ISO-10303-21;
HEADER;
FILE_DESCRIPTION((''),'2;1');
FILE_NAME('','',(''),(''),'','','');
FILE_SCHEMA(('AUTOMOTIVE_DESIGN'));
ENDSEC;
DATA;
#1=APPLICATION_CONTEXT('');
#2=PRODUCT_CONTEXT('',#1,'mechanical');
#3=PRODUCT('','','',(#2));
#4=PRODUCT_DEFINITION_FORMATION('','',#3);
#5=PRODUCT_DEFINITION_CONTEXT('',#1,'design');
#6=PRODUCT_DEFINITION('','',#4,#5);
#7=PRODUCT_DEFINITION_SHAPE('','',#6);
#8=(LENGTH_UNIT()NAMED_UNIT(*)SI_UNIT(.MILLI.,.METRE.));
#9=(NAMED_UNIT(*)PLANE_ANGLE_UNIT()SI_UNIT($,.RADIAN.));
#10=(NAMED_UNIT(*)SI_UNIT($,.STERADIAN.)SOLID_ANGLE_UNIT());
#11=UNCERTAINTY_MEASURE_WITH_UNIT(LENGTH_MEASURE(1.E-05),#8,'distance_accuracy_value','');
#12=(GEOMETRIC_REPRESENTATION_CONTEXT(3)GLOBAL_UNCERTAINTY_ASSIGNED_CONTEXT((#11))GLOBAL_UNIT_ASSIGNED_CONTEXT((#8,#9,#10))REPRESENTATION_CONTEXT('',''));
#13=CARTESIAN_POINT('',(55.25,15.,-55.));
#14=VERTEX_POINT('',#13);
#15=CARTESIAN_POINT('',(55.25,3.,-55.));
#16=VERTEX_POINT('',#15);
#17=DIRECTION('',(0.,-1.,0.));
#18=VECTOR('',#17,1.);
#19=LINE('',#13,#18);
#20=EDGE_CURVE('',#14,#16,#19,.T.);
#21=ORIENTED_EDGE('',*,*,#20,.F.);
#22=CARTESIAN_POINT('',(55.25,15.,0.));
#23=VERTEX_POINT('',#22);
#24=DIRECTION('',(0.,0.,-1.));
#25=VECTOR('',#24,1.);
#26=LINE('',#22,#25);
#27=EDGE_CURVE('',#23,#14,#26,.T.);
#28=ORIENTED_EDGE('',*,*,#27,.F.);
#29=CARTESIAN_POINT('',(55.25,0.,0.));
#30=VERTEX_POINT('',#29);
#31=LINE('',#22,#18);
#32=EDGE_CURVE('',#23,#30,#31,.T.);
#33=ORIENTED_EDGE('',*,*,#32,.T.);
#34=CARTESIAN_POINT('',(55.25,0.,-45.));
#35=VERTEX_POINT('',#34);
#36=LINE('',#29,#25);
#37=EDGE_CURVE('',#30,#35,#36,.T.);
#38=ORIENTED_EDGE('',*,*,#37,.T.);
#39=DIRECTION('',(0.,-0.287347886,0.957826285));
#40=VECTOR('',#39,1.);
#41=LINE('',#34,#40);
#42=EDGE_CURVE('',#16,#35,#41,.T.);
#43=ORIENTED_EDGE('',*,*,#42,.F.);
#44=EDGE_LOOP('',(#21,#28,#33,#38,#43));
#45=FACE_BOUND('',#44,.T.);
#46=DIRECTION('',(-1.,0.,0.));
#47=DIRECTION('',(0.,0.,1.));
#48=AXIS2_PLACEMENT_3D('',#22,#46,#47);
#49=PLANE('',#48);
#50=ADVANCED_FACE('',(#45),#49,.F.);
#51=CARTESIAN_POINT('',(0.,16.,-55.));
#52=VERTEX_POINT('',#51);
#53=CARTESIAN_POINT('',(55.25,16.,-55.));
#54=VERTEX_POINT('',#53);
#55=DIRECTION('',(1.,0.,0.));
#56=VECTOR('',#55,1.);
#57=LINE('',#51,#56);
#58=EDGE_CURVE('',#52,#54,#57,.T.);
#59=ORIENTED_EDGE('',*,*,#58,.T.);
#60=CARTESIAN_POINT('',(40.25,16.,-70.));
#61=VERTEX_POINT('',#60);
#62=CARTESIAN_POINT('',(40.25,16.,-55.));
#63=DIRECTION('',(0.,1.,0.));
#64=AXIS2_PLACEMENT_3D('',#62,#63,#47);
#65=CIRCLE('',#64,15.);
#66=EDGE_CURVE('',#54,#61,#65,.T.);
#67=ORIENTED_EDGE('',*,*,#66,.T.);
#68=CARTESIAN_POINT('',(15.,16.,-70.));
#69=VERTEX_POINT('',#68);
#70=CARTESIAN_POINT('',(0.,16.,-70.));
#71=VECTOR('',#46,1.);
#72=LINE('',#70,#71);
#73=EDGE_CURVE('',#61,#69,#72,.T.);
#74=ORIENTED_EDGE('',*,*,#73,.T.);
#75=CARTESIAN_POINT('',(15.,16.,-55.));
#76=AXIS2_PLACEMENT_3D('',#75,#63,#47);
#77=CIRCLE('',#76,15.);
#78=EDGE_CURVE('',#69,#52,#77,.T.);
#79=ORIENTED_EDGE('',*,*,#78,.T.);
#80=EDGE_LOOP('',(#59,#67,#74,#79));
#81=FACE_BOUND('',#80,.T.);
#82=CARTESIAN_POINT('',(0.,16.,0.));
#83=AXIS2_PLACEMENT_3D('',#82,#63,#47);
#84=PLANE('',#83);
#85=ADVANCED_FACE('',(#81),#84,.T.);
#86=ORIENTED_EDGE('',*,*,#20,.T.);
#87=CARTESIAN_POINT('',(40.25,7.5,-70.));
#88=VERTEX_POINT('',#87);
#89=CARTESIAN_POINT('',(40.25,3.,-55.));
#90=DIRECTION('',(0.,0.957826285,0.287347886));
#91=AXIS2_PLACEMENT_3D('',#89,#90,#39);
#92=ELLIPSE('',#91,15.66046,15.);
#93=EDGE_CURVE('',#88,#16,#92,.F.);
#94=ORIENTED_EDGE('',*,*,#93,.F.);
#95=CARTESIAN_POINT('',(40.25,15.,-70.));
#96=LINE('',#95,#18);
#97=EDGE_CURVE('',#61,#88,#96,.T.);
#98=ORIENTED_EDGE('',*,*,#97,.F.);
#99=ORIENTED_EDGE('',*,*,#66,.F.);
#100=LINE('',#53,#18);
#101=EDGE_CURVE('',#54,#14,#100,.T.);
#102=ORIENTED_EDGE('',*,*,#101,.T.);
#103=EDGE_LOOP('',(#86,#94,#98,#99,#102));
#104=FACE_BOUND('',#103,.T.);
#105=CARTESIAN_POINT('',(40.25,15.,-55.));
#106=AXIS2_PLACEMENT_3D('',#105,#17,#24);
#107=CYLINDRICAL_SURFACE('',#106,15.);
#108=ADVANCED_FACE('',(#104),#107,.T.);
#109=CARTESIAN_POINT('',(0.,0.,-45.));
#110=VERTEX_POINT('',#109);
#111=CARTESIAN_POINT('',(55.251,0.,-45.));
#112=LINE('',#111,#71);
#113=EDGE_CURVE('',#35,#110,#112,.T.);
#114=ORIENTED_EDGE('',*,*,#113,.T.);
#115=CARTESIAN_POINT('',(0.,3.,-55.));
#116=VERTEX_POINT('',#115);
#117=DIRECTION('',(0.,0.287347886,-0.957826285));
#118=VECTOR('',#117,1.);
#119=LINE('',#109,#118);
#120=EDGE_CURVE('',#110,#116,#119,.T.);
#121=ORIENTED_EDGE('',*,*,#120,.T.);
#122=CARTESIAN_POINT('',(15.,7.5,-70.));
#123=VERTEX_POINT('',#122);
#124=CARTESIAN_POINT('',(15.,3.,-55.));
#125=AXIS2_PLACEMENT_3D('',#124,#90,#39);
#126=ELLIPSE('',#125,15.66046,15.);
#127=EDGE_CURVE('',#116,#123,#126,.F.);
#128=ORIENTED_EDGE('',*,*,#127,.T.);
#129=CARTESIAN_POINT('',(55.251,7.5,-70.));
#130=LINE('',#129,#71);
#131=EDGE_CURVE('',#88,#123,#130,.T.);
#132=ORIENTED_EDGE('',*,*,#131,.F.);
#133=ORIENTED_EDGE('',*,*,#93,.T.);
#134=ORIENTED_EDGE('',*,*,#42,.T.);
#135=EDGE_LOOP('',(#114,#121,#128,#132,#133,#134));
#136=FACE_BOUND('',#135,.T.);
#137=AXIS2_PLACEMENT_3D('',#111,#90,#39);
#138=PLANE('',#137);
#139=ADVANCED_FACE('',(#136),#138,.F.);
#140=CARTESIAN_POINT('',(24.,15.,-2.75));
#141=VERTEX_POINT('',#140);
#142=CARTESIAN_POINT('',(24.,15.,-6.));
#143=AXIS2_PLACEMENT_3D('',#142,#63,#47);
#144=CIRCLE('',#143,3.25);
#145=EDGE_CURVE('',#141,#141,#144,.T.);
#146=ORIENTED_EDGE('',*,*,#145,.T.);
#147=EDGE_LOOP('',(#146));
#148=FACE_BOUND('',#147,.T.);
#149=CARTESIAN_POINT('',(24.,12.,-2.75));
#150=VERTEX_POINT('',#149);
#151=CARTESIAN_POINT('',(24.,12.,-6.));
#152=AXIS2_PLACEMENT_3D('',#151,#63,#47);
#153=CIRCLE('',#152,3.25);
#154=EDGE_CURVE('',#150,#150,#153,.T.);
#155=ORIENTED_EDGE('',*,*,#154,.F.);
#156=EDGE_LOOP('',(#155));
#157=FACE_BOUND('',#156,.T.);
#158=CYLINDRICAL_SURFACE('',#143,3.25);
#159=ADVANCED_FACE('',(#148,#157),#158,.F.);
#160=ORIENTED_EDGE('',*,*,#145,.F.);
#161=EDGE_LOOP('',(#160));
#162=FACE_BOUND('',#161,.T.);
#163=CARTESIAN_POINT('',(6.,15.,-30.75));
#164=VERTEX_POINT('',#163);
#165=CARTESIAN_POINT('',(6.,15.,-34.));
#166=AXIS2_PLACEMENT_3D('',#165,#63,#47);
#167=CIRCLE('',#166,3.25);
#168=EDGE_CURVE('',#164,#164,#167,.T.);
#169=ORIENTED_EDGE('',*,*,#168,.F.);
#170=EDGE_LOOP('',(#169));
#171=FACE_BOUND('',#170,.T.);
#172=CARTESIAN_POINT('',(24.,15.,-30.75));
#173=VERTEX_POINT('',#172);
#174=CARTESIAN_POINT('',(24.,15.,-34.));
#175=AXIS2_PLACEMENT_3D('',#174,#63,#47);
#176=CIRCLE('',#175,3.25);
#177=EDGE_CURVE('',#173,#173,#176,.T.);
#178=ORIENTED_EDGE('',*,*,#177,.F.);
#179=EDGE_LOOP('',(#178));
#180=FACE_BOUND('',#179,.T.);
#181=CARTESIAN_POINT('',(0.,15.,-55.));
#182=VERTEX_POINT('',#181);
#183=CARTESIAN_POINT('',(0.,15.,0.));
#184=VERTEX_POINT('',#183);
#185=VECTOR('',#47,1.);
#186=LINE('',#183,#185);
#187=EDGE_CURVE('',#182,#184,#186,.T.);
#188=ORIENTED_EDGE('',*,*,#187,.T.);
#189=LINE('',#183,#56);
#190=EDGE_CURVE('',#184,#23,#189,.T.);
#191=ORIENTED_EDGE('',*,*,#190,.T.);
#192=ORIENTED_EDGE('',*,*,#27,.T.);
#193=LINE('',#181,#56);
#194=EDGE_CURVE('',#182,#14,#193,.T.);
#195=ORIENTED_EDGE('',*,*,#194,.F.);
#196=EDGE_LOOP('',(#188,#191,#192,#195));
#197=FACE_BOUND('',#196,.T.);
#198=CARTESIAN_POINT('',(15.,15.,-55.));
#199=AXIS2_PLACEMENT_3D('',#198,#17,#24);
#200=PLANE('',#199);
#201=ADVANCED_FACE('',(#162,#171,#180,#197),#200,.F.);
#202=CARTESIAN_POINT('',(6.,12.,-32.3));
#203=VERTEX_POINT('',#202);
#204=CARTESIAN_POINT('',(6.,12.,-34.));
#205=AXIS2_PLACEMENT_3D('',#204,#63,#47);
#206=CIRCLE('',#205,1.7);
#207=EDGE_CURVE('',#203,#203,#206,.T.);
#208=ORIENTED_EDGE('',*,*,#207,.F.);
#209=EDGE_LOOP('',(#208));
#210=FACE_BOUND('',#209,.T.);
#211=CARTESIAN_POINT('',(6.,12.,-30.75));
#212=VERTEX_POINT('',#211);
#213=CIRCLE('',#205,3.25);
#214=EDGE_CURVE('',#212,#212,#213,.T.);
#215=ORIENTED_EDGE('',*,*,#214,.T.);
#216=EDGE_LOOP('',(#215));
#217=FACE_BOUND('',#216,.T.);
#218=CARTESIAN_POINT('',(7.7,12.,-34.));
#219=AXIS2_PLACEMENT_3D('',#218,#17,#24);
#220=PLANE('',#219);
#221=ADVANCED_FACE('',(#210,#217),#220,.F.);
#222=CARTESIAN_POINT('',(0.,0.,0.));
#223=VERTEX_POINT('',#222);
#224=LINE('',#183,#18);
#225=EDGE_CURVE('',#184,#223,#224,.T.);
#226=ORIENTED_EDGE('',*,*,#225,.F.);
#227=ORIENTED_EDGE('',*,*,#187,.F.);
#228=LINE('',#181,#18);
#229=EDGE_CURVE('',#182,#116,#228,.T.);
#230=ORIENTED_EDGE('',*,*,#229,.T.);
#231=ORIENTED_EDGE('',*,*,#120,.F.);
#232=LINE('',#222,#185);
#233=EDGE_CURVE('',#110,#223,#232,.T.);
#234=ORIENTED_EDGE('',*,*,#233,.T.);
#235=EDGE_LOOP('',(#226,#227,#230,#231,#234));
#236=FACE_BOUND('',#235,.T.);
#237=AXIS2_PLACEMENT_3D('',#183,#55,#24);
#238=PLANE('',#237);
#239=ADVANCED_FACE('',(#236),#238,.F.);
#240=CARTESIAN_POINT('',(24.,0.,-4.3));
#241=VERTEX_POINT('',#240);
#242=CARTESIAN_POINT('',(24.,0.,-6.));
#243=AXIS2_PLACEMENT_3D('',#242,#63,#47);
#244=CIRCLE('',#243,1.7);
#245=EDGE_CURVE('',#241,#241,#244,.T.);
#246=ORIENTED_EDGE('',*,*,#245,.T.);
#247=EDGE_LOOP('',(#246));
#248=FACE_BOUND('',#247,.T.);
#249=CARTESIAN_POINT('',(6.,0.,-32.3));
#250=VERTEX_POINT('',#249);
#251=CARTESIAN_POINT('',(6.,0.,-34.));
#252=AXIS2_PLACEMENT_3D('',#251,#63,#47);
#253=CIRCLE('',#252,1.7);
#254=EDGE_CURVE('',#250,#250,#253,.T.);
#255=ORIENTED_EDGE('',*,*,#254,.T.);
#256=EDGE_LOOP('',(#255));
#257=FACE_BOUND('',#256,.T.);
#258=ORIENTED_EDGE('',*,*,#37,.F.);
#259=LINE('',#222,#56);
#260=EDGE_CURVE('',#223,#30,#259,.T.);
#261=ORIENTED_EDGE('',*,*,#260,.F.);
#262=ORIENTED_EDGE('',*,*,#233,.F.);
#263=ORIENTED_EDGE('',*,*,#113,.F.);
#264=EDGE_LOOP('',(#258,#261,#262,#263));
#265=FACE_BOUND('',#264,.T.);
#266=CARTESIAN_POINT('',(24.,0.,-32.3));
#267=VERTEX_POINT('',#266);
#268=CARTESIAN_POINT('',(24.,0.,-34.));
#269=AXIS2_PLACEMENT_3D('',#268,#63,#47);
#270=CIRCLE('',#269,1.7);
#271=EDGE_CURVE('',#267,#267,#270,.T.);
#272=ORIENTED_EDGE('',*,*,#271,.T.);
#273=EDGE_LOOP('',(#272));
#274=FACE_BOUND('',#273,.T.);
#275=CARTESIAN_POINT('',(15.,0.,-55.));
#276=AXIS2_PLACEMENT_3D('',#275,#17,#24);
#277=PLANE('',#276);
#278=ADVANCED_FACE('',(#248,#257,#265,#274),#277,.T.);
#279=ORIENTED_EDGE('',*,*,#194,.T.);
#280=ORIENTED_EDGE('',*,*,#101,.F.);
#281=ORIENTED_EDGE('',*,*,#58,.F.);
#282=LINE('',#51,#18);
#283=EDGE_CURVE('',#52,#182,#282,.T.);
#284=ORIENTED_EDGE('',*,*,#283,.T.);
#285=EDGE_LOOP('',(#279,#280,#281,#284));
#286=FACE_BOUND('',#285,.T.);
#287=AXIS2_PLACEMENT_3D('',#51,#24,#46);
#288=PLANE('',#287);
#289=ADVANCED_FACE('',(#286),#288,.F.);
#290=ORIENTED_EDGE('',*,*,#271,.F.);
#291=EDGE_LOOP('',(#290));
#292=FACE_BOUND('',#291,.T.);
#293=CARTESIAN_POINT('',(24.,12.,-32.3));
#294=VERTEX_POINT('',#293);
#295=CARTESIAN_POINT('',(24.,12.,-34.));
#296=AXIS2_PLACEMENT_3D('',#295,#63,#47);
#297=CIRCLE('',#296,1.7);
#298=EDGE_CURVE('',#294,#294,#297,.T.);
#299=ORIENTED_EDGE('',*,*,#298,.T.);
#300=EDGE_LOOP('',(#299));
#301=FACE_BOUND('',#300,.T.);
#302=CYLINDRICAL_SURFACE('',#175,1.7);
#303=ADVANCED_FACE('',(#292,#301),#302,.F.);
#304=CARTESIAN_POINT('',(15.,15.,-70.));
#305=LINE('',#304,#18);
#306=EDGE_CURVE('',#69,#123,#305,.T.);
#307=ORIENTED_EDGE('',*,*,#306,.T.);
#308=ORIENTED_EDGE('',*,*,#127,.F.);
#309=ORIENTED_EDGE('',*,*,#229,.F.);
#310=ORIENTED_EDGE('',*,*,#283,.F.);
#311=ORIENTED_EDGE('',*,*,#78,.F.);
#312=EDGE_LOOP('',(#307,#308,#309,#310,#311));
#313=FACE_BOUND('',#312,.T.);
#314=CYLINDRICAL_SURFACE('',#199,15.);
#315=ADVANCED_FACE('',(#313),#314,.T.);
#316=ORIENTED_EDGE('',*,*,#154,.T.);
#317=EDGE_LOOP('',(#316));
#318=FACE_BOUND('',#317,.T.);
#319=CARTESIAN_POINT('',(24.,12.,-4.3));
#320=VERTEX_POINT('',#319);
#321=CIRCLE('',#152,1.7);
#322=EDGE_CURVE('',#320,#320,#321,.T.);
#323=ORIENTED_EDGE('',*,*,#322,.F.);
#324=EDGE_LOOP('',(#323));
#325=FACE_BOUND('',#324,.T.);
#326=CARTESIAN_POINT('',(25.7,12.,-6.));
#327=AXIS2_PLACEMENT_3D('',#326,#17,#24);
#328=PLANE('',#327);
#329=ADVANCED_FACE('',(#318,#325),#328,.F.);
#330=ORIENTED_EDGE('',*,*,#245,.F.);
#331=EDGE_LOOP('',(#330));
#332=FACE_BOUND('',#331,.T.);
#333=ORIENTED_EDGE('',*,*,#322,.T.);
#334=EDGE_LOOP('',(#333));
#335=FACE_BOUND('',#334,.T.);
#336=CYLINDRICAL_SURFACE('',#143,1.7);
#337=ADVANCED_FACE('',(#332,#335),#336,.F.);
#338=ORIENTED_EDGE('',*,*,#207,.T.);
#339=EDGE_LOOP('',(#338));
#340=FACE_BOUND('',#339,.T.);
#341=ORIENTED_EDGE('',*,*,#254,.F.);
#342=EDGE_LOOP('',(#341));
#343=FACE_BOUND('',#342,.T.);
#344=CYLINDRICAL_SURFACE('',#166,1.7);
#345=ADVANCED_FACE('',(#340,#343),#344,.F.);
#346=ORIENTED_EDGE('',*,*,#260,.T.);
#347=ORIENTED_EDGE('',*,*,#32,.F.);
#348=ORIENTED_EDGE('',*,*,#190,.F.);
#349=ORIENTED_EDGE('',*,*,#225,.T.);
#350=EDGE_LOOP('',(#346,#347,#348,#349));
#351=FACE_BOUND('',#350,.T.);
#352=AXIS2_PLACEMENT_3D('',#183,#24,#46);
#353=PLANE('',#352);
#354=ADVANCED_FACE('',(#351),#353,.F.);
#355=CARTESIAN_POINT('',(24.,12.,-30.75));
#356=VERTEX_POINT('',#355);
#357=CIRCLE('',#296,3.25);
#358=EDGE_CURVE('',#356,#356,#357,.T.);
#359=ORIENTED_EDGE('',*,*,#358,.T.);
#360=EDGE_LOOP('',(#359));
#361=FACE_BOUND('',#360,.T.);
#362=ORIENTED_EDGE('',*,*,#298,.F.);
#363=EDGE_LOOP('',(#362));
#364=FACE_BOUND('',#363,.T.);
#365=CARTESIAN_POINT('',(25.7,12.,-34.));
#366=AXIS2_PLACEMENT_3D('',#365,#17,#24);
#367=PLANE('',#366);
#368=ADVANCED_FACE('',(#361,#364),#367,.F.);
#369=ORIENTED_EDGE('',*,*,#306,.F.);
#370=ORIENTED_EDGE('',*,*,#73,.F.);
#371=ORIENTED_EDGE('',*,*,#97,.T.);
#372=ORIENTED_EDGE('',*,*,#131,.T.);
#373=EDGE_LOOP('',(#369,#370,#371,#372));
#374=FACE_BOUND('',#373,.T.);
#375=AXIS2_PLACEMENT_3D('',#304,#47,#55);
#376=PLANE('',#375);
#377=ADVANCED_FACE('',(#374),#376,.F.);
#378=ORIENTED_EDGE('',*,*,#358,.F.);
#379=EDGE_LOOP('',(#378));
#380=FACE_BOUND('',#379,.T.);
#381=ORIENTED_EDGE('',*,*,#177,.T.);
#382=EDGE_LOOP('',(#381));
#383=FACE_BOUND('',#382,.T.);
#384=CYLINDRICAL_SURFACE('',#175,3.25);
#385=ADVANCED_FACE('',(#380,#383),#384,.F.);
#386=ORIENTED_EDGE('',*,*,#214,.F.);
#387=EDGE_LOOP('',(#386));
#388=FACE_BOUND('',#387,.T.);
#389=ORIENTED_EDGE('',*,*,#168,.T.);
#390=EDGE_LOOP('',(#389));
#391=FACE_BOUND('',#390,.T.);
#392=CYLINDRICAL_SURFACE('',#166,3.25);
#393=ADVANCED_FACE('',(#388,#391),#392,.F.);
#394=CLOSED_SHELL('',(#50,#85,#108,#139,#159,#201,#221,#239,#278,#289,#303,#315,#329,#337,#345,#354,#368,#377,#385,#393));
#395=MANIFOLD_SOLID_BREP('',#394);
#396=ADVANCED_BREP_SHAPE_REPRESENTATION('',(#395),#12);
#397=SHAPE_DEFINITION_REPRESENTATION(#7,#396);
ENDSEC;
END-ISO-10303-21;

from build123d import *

# Parameters (mm, degrees)
BOSS_EXTRUDE1_DEPTH            = 15
CBORE_FOR_M3_SHCS1_D           = 3.4
CBORE_FOR_M3_SHCS1_CBORE_D     = 6.5
CBORE_FOR_M3_SHCS1_CBORE_DEPTH = 3
CUT_EXTRUDE1_REACH             = 92.43
BOSS_EXTRUDE2_DEPTH            = 1


with BuildPart() as part:
    # Sketch1 → Boss-Extrude1 (new body)
    with BuildSketch(Plane(origin=(0, 0, 0), x_dir=(1, 0, 0), z_dir=(0, 1, 0))):
        with BuildLine():
            Line((0, 0), (55.25, 0))
            Line((55.25, 0), (55.25, 55))
            ThreePointArc((55.25, 55), (50.856601718, 65.606601718), (40.25, 70))
            Line((40.25, 70), (15, 70))
            ThreePointArc((15, 70), (4.393398282, 65.606601718), (0, 55))
            Line((0, 55), (0, 0))
        make_face()
    extrude(amount=BOSS_EXTRUDE1_DEPTH)

    # CBORE for M3 SHCS1 (through all)
    with Locations(Plane(origin=(0, 15, 0), x_dir=(1, 0, 0), z_dir=(0, 1, 0))):
        with Locations((6, 34), (24, 34), (24, 6)):
            CounterBoreHole(CBORE_FOR_M3_SHCS1_D / 2, CBORE_FOR_M3_SHCS1_CBORE_D / 2, CBORE_FOR_M3_SHCS1_CBORE_DEPTH)

    # Sketch4 → Cut-Extrude1 (cut, up to next)
    with BuildSketch(Plane.ZY, mode=Mode.PRIVATE) as cut_extrude1_sk1:
        Polygon((-70, 0), (-45, 0), (-70, 7.5), align=None)
    cut_extrude1_tool1 = extrude(cut_extrude1_sk1.sketch, amount=-CUT_EXTRUDE1_REACH, mode=Mode.PRIVATE) & part.part
    add(cut_extrude1_tool1.solids().sort_by_distance((0, 2.5, -61.666667))[0], mode=Mode.SUBTRACT)

    # Sketch5 → Boss-Extrude2 (add)
    with BuildSketch(Plane(origin=(0, 15, 0), x_dir=(1, 0, 0), z_dir=(0, 1, 0))):
        with BuildLine():
            ThreePointArc((15, 70), (4.393398282, 65.606601718), (0, 55))
            Line((0, 55), (55.25, 55))
            ThreePointArc((55.25, 55), (50.856601718, 65.606601718), (40.25, 70))
            Line((40.25, 70), (15, 70))
        make_face()
    extrude(amount=BOSS_EXTRUDE2_DEPTH)


solid = part.part
